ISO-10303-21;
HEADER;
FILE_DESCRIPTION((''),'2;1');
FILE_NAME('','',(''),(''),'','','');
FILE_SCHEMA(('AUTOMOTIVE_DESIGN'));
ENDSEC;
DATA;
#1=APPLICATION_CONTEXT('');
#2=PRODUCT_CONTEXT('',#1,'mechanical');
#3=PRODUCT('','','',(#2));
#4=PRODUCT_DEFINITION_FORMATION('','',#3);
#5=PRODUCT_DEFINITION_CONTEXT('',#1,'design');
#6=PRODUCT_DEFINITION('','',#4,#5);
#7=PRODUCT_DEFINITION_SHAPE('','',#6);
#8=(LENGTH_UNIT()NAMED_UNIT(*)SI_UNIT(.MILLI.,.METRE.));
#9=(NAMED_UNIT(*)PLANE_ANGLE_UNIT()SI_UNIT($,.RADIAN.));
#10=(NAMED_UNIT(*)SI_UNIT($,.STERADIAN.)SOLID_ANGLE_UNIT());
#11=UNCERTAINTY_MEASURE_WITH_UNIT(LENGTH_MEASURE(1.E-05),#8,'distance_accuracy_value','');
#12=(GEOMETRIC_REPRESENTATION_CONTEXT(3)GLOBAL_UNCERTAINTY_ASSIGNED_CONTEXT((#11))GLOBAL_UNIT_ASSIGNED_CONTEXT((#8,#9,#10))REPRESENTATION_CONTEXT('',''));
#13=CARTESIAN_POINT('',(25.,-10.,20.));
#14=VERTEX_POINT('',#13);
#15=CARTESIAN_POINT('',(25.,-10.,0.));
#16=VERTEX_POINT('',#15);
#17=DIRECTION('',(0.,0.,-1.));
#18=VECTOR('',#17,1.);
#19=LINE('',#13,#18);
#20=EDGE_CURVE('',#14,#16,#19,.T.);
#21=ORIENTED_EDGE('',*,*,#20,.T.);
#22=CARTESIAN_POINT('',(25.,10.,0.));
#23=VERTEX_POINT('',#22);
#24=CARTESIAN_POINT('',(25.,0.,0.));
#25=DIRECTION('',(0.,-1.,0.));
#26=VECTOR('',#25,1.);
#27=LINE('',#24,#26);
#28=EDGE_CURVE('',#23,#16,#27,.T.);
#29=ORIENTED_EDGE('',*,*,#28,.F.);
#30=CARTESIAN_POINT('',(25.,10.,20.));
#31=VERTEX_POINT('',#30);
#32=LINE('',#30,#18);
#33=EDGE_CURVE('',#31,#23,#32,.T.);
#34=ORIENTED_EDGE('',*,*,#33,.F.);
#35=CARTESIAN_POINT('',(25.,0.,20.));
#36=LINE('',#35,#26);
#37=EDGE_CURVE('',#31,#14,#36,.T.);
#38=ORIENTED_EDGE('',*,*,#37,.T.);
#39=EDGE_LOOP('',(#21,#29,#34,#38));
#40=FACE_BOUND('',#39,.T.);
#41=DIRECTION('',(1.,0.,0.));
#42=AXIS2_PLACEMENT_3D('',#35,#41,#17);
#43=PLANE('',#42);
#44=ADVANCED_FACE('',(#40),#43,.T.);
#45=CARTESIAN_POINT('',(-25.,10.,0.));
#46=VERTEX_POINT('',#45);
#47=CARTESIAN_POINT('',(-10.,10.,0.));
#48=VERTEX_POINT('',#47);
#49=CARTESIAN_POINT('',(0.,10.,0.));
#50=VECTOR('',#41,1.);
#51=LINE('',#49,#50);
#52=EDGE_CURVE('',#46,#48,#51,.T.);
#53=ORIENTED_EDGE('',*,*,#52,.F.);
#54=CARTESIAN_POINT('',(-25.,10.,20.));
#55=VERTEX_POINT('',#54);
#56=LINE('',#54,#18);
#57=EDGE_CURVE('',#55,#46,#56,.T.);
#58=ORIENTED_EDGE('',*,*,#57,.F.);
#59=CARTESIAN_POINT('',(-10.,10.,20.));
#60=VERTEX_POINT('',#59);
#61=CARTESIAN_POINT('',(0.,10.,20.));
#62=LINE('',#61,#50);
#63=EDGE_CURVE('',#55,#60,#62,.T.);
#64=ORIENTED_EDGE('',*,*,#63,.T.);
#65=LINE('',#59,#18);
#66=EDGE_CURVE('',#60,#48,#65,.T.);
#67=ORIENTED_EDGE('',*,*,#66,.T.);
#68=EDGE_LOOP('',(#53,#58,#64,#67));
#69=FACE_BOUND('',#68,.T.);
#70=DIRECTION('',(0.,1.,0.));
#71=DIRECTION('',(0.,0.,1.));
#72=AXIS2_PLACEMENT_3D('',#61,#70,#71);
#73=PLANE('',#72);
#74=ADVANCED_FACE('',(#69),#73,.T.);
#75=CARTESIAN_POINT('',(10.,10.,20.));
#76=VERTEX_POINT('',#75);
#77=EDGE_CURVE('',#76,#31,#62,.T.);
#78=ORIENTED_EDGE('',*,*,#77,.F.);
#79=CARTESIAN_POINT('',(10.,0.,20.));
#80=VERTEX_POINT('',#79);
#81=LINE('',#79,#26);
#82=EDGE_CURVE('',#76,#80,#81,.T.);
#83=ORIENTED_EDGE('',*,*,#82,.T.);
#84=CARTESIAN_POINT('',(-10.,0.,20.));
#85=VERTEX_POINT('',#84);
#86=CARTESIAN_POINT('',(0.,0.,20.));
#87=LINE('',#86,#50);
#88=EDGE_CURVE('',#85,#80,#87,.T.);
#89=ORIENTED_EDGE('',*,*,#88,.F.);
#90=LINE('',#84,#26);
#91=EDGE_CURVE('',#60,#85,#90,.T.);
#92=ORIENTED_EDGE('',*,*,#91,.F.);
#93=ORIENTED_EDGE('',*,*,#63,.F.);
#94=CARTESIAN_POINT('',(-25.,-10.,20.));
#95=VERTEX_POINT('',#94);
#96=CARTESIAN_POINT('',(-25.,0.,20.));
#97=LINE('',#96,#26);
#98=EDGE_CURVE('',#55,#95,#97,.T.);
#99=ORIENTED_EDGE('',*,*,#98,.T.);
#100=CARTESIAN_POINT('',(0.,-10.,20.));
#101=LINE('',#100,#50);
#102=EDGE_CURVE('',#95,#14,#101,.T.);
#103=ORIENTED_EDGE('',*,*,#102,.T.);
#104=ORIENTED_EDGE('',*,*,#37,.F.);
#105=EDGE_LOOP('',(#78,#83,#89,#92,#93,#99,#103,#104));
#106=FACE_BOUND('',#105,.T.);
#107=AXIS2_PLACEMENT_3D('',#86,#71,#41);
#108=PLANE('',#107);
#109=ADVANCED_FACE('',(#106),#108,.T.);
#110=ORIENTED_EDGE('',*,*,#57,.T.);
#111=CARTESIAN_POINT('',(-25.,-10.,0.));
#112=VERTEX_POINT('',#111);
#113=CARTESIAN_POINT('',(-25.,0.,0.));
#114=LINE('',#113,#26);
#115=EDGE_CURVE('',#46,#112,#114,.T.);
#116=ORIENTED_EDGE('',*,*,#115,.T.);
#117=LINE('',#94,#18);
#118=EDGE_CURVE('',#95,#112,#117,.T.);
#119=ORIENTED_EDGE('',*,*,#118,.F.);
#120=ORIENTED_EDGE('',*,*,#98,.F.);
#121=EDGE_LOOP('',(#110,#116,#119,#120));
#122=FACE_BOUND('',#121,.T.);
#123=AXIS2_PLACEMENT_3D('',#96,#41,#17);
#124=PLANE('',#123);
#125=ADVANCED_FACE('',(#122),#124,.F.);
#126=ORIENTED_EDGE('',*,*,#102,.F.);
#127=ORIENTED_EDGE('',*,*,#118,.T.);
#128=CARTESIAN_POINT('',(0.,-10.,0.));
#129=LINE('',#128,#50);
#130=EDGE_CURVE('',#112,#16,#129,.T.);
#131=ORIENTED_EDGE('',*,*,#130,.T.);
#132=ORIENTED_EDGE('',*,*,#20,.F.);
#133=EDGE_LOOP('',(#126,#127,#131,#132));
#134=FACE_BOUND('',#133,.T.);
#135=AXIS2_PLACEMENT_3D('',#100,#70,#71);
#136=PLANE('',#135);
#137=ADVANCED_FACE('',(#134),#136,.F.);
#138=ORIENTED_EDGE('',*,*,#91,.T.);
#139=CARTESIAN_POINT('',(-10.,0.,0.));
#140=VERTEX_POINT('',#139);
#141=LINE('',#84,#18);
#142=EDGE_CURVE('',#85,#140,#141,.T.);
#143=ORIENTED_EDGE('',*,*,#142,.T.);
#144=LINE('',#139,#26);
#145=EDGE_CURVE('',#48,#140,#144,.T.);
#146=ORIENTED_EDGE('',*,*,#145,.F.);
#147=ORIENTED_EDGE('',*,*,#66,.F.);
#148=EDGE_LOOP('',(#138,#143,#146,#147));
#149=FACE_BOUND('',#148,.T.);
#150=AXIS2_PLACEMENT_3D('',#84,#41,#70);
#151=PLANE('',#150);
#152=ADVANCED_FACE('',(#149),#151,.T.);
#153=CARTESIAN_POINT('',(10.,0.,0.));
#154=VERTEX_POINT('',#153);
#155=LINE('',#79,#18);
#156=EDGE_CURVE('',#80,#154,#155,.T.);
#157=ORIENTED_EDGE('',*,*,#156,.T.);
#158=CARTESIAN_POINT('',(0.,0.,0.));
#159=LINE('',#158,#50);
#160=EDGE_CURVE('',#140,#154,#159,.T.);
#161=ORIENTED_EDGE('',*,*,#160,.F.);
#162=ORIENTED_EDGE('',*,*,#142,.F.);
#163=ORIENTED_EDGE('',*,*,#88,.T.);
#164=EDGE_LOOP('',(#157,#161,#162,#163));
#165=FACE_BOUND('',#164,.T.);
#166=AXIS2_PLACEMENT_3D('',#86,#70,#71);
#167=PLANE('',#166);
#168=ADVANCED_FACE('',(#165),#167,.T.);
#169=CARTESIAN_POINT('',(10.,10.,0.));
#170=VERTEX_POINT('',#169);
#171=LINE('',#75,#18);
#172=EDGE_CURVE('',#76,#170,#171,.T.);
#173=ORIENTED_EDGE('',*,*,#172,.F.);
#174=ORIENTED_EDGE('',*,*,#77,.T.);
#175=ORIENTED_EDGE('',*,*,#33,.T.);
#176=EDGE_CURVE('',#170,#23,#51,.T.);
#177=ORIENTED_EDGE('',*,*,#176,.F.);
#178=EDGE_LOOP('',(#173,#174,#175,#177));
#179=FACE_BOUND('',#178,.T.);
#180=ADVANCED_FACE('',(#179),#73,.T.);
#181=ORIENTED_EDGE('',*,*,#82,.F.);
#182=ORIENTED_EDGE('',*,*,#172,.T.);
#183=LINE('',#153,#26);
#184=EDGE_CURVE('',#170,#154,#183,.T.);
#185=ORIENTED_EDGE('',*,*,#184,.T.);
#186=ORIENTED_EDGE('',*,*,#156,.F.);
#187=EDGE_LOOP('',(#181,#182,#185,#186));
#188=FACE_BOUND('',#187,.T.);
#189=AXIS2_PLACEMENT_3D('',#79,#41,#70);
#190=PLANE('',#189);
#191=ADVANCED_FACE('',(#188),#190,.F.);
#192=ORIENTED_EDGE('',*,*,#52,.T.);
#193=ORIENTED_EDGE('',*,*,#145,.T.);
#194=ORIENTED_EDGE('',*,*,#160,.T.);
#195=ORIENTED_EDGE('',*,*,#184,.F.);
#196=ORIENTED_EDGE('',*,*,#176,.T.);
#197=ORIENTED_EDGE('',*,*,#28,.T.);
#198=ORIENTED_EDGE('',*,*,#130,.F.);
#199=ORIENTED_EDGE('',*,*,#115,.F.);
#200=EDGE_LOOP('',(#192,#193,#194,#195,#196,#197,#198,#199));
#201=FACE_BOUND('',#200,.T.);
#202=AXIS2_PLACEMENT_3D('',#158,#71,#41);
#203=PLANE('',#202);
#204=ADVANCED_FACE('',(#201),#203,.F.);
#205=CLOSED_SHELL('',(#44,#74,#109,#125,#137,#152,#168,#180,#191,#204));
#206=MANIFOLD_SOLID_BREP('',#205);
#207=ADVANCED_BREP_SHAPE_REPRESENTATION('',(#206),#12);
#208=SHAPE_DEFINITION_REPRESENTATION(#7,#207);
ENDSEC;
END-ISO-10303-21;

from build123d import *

# Parameters (mm, degrees)
EXTRUDE_1_DEPTH = 20


with BuildPart() as part:
    # 草圖1 → 填料-伸長1 (new body)
    with BuildSketch(Plane.XY):
        Polygon((-10, 10), (-25, 10), (-25, -10), (25, -10), (25, 10), (10, 10), (10, 0), (-10, 0), align=None)
    extrude(amount=EXTRUDE_1_DEPTH)


solid = part.part
